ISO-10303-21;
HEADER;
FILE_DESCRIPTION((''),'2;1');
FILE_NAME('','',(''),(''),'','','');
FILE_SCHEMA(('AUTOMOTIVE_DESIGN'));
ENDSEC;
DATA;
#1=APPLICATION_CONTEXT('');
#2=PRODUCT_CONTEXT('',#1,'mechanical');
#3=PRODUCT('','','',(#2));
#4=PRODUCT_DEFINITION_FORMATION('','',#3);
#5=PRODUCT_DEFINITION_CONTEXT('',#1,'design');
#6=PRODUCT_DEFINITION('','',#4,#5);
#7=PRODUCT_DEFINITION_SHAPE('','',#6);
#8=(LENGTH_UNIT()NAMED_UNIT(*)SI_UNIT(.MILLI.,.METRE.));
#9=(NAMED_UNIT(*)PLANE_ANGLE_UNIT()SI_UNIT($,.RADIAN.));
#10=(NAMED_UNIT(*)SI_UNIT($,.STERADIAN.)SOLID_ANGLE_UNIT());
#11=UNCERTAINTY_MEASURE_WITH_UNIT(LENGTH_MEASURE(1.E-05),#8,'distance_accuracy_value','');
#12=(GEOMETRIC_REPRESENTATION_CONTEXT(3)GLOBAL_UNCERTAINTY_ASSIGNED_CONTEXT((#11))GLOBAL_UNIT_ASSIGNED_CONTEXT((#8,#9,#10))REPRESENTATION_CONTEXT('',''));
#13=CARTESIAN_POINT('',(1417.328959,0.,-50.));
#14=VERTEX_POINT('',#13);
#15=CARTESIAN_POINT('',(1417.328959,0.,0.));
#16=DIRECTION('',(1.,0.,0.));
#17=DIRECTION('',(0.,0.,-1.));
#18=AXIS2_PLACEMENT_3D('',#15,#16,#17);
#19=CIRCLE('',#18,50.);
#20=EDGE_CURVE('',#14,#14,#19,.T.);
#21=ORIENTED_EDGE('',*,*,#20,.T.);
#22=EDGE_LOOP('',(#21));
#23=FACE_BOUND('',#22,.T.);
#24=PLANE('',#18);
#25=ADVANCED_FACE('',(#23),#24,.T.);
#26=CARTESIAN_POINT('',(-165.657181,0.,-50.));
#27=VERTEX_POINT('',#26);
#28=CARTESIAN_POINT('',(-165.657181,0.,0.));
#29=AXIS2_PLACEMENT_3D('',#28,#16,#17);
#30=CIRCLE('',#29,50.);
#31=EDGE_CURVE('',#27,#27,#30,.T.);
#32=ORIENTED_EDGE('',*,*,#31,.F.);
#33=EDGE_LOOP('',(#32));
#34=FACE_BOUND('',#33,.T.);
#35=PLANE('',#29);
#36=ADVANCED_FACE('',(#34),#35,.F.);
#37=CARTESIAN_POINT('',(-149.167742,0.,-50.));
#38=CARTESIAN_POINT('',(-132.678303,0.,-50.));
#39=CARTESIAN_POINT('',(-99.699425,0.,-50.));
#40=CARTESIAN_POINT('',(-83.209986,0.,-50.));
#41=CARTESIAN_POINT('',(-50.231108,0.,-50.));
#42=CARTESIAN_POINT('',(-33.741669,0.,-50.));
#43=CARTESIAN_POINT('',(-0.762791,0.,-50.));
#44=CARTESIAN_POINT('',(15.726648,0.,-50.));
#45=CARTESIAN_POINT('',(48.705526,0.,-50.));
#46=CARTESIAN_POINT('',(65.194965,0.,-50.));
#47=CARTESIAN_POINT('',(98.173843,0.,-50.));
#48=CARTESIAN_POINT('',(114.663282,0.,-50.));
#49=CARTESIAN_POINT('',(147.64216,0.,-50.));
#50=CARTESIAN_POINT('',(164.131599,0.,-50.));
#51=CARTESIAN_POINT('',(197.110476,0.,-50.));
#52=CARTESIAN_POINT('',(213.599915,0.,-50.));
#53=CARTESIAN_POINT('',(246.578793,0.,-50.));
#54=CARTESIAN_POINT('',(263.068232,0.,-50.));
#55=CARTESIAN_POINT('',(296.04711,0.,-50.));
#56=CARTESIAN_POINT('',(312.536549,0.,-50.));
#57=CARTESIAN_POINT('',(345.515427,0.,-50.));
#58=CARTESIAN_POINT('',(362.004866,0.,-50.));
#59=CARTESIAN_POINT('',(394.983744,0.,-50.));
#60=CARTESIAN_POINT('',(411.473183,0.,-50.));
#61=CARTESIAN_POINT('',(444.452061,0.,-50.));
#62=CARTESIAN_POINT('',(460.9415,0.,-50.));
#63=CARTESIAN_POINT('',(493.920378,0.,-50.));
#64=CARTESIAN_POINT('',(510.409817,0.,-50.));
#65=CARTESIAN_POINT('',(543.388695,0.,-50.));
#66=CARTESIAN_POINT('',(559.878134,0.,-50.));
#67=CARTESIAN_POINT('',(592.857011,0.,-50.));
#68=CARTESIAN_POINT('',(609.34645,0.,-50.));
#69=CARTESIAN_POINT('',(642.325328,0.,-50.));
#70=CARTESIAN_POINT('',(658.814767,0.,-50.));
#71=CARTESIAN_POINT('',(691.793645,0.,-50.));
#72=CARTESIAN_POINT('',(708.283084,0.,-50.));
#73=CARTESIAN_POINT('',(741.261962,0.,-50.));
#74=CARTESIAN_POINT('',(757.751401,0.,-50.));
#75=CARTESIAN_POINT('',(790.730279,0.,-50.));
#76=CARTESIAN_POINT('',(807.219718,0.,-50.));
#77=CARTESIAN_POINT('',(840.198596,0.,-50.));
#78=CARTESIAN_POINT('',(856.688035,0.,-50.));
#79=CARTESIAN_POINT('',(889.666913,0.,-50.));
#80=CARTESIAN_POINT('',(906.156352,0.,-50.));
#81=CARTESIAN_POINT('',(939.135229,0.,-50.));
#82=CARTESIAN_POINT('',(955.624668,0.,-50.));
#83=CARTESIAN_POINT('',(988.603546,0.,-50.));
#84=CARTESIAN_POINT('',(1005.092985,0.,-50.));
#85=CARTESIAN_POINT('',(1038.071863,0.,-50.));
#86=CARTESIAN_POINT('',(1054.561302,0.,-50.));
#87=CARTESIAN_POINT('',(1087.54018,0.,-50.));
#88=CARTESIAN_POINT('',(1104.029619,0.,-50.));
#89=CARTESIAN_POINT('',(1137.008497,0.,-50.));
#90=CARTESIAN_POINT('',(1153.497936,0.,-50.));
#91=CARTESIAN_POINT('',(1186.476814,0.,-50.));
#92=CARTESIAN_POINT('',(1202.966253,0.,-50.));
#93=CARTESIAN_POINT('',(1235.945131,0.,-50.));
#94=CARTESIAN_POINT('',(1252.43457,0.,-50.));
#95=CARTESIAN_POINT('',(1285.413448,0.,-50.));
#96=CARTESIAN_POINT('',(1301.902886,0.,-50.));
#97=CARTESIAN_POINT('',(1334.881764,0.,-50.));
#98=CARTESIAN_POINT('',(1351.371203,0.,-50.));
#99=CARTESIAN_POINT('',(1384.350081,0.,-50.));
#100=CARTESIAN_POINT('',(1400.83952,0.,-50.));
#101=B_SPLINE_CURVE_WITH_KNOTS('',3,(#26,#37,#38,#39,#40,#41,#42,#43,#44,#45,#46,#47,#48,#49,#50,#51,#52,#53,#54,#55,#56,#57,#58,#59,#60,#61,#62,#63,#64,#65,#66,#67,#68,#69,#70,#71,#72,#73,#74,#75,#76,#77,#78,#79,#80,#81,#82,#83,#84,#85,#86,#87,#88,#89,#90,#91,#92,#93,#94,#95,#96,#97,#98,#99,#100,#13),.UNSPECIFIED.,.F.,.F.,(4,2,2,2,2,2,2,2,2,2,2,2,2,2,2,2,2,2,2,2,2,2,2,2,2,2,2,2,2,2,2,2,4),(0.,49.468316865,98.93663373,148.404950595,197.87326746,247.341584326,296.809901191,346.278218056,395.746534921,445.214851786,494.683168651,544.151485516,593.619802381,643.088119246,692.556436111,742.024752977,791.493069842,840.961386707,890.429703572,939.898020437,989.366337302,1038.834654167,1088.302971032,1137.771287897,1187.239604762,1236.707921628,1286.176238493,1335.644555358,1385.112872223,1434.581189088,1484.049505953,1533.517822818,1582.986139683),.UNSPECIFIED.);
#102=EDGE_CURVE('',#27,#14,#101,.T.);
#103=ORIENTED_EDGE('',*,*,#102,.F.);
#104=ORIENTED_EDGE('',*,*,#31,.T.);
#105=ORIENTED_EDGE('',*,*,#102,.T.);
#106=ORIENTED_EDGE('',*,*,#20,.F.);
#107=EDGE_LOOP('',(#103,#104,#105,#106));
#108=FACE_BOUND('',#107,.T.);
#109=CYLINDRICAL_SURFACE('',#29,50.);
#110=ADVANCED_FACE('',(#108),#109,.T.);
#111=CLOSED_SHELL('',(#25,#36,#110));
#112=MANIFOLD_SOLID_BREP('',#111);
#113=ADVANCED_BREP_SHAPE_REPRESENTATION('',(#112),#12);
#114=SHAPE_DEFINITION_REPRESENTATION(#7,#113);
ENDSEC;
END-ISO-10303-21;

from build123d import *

# Parameters (mm, degrees)
BOSS_EXTRUDE1_DEPTH      = 1417.32895917
BOSS_EXTRUDE1_DEPTH_BACK = 165.657180513
SKETCH1_R                = 50


with BuildPart() as part:
    # Sketch1 → Boss-Extrude1 (new, two sides: drawn at the far end of the back side and taken through both)
    with BuildSketch(Plane(origin=(0, 0, 0), x_dir=(0, 0, -1), z_dir=(1, 0, 0)).offset(-BOSS_EXTRUDE1_DEPTH_BACK)):
        Circle(SKETCH1_R)
    extrude(amount=BOSS_EXTRUDE1_DEPTH + BOSS_EXTRUDE1_DEPTH_BACK)


solid = part.part
